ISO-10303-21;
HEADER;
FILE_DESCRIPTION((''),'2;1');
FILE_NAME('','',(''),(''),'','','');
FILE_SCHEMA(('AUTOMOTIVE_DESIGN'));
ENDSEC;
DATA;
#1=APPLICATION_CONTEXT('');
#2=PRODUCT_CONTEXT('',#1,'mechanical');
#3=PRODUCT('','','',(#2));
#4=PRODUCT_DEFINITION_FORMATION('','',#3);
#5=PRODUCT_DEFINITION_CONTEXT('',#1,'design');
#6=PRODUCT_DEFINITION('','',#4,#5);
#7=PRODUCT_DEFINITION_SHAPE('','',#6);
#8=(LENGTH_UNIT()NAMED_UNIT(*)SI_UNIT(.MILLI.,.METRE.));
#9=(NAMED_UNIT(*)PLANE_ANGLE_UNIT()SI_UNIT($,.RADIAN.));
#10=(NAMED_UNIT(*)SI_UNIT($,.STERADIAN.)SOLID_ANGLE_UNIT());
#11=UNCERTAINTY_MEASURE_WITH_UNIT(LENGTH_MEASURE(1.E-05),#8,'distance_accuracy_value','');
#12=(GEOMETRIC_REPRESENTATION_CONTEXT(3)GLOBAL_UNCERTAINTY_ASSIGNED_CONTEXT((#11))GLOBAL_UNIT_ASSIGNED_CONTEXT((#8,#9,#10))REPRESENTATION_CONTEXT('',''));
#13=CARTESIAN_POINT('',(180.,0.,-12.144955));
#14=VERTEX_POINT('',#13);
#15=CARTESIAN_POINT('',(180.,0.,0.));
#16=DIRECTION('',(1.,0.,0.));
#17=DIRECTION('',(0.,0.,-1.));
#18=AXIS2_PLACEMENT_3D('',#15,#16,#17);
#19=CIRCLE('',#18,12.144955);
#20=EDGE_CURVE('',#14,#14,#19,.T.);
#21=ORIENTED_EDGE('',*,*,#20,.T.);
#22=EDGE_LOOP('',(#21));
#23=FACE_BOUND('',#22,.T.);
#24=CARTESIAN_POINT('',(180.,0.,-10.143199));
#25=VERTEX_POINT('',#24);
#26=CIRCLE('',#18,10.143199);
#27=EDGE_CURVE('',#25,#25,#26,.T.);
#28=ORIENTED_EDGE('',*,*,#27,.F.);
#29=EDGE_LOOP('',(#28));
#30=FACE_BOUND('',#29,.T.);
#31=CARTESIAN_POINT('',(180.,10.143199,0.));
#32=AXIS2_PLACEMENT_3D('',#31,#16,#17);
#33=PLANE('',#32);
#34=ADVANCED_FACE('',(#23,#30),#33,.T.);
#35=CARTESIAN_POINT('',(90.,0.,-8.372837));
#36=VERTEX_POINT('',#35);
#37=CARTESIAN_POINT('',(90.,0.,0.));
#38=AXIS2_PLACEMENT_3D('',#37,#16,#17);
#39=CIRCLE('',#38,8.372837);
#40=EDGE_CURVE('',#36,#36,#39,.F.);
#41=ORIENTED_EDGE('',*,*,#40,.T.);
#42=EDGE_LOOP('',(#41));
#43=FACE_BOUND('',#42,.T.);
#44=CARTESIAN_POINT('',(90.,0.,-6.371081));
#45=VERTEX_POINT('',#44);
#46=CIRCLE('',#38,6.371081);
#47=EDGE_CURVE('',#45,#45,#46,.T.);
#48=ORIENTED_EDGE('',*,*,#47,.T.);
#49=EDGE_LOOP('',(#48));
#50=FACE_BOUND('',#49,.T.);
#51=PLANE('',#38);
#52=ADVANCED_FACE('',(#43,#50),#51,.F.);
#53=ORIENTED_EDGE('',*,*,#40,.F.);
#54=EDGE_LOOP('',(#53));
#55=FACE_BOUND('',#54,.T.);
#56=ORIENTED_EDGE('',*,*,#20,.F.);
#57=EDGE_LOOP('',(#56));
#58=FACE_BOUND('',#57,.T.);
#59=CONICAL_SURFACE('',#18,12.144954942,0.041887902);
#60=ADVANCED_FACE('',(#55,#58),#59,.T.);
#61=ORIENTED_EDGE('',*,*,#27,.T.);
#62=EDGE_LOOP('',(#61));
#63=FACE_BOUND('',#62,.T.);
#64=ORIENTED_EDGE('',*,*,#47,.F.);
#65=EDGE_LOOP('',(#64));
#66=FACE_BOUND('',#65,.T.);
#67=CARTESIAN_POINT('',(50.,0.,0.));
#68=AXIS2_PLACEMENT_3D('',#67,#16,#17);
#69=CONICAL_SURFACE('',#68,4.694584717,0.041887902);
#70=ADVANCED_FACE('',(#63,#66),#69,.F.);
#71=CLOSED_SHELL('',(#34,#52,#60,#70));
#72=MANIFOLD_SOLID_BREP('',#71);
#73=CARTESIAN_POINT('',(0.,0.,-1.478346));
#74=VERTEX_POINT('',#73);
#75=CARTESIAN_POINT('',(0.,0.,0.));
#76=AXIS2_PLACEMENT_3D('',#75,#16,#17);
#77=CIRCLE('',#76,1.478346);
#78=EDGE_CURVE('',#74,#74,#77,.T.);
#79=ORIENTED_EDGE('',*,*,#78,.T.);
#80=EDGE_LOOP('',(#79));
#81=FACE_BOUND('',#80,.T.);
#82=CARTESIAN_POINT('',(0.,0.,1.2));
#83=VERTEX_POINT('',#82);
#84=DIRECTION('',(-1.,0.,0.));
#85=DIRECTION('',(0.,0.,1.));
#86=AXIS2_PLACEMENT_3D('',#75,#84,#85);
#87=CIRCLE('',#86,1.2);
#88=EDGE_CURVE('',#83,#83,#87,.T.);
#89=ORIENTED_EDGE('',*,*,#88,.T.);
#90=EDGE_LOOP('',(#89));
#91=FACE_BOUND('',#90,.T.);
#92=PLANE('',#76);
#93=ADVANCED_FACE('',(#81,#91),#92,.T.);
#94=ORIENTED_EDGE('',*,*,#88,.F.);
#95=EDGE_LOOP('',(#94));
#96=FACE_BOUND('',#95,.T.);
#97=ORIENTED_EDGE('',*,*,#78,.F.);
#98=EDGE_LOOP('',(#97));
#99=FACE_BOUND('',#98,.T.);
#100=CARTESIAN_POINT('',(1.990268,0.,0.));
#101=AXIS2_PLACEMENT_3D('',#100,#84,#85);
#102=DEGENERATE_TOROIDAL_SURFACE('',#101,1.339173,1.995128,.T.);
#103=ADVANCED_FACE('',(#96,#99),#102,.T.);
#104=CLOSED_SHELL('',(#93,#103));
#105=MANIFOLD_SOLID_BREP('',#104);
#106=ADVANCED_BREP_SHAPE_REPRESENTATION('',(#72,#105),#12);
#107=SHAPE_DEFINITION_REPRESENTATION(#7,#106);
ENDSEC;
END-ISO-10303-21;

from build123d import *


with BuildPart() as part:
    # Sketch2 → Revolve2 (revolve)
    with BuildSketch(Plane.XY, mode=Mode.PRIVATE) as revolve2_sk:
        with BuildLine():
            Line((0, 1.2), (50, 4.696340597))
            Line((50, 4.696340597), (50, 6.696340597))
            Line((50, 6.696340597), (1.851094968, 3.32944117))
            ThreePointArc((1.851094968, 3.32944117), (0.484525778, 2.648094905), (0, 1.2))
        make_face()
    revolve(revolve2_sk.sketch.rotate(Axis((-19.275847123, 0, 0), (1, 0, 0)), 90), axis=Axis((-19.275847123, 0, 0), (1, 0, 0)))

    # SurfaceCut9
    split(bisect_by=Plane(origin=(0, 0, 0), x_dir=(0, 0, -1), z_dir=(1, 0, 0)), keep=Keep.BOTTOM)


with BuildPart() as body_2:
    # Sketch3 → Revolve3 (revolve)
    with BuildSketch(Plane.XY, mode=Mode.PRIVATE) as revolve3_sk:
        Polygon((50, 4.694584717), (180, 10.143199062), (180, 12.144954942), (50, 6.696340597), align=None)
    revolve(revolve3_sk.sketch.rotate(Axis((50, 0, 0), (-1, 0, 0)), 90), axis=Axis((50, 0, 0), (-1, 0, 0)))

    # SurfaceCut12
    split(bisect_by=Plane(origin=(90, 0, 0), x_dir=(0, 0, -1), z_dir=(1, 0, 0)), keep=Keep.TOP)


solid = Compound([part.part, body_2.part])
